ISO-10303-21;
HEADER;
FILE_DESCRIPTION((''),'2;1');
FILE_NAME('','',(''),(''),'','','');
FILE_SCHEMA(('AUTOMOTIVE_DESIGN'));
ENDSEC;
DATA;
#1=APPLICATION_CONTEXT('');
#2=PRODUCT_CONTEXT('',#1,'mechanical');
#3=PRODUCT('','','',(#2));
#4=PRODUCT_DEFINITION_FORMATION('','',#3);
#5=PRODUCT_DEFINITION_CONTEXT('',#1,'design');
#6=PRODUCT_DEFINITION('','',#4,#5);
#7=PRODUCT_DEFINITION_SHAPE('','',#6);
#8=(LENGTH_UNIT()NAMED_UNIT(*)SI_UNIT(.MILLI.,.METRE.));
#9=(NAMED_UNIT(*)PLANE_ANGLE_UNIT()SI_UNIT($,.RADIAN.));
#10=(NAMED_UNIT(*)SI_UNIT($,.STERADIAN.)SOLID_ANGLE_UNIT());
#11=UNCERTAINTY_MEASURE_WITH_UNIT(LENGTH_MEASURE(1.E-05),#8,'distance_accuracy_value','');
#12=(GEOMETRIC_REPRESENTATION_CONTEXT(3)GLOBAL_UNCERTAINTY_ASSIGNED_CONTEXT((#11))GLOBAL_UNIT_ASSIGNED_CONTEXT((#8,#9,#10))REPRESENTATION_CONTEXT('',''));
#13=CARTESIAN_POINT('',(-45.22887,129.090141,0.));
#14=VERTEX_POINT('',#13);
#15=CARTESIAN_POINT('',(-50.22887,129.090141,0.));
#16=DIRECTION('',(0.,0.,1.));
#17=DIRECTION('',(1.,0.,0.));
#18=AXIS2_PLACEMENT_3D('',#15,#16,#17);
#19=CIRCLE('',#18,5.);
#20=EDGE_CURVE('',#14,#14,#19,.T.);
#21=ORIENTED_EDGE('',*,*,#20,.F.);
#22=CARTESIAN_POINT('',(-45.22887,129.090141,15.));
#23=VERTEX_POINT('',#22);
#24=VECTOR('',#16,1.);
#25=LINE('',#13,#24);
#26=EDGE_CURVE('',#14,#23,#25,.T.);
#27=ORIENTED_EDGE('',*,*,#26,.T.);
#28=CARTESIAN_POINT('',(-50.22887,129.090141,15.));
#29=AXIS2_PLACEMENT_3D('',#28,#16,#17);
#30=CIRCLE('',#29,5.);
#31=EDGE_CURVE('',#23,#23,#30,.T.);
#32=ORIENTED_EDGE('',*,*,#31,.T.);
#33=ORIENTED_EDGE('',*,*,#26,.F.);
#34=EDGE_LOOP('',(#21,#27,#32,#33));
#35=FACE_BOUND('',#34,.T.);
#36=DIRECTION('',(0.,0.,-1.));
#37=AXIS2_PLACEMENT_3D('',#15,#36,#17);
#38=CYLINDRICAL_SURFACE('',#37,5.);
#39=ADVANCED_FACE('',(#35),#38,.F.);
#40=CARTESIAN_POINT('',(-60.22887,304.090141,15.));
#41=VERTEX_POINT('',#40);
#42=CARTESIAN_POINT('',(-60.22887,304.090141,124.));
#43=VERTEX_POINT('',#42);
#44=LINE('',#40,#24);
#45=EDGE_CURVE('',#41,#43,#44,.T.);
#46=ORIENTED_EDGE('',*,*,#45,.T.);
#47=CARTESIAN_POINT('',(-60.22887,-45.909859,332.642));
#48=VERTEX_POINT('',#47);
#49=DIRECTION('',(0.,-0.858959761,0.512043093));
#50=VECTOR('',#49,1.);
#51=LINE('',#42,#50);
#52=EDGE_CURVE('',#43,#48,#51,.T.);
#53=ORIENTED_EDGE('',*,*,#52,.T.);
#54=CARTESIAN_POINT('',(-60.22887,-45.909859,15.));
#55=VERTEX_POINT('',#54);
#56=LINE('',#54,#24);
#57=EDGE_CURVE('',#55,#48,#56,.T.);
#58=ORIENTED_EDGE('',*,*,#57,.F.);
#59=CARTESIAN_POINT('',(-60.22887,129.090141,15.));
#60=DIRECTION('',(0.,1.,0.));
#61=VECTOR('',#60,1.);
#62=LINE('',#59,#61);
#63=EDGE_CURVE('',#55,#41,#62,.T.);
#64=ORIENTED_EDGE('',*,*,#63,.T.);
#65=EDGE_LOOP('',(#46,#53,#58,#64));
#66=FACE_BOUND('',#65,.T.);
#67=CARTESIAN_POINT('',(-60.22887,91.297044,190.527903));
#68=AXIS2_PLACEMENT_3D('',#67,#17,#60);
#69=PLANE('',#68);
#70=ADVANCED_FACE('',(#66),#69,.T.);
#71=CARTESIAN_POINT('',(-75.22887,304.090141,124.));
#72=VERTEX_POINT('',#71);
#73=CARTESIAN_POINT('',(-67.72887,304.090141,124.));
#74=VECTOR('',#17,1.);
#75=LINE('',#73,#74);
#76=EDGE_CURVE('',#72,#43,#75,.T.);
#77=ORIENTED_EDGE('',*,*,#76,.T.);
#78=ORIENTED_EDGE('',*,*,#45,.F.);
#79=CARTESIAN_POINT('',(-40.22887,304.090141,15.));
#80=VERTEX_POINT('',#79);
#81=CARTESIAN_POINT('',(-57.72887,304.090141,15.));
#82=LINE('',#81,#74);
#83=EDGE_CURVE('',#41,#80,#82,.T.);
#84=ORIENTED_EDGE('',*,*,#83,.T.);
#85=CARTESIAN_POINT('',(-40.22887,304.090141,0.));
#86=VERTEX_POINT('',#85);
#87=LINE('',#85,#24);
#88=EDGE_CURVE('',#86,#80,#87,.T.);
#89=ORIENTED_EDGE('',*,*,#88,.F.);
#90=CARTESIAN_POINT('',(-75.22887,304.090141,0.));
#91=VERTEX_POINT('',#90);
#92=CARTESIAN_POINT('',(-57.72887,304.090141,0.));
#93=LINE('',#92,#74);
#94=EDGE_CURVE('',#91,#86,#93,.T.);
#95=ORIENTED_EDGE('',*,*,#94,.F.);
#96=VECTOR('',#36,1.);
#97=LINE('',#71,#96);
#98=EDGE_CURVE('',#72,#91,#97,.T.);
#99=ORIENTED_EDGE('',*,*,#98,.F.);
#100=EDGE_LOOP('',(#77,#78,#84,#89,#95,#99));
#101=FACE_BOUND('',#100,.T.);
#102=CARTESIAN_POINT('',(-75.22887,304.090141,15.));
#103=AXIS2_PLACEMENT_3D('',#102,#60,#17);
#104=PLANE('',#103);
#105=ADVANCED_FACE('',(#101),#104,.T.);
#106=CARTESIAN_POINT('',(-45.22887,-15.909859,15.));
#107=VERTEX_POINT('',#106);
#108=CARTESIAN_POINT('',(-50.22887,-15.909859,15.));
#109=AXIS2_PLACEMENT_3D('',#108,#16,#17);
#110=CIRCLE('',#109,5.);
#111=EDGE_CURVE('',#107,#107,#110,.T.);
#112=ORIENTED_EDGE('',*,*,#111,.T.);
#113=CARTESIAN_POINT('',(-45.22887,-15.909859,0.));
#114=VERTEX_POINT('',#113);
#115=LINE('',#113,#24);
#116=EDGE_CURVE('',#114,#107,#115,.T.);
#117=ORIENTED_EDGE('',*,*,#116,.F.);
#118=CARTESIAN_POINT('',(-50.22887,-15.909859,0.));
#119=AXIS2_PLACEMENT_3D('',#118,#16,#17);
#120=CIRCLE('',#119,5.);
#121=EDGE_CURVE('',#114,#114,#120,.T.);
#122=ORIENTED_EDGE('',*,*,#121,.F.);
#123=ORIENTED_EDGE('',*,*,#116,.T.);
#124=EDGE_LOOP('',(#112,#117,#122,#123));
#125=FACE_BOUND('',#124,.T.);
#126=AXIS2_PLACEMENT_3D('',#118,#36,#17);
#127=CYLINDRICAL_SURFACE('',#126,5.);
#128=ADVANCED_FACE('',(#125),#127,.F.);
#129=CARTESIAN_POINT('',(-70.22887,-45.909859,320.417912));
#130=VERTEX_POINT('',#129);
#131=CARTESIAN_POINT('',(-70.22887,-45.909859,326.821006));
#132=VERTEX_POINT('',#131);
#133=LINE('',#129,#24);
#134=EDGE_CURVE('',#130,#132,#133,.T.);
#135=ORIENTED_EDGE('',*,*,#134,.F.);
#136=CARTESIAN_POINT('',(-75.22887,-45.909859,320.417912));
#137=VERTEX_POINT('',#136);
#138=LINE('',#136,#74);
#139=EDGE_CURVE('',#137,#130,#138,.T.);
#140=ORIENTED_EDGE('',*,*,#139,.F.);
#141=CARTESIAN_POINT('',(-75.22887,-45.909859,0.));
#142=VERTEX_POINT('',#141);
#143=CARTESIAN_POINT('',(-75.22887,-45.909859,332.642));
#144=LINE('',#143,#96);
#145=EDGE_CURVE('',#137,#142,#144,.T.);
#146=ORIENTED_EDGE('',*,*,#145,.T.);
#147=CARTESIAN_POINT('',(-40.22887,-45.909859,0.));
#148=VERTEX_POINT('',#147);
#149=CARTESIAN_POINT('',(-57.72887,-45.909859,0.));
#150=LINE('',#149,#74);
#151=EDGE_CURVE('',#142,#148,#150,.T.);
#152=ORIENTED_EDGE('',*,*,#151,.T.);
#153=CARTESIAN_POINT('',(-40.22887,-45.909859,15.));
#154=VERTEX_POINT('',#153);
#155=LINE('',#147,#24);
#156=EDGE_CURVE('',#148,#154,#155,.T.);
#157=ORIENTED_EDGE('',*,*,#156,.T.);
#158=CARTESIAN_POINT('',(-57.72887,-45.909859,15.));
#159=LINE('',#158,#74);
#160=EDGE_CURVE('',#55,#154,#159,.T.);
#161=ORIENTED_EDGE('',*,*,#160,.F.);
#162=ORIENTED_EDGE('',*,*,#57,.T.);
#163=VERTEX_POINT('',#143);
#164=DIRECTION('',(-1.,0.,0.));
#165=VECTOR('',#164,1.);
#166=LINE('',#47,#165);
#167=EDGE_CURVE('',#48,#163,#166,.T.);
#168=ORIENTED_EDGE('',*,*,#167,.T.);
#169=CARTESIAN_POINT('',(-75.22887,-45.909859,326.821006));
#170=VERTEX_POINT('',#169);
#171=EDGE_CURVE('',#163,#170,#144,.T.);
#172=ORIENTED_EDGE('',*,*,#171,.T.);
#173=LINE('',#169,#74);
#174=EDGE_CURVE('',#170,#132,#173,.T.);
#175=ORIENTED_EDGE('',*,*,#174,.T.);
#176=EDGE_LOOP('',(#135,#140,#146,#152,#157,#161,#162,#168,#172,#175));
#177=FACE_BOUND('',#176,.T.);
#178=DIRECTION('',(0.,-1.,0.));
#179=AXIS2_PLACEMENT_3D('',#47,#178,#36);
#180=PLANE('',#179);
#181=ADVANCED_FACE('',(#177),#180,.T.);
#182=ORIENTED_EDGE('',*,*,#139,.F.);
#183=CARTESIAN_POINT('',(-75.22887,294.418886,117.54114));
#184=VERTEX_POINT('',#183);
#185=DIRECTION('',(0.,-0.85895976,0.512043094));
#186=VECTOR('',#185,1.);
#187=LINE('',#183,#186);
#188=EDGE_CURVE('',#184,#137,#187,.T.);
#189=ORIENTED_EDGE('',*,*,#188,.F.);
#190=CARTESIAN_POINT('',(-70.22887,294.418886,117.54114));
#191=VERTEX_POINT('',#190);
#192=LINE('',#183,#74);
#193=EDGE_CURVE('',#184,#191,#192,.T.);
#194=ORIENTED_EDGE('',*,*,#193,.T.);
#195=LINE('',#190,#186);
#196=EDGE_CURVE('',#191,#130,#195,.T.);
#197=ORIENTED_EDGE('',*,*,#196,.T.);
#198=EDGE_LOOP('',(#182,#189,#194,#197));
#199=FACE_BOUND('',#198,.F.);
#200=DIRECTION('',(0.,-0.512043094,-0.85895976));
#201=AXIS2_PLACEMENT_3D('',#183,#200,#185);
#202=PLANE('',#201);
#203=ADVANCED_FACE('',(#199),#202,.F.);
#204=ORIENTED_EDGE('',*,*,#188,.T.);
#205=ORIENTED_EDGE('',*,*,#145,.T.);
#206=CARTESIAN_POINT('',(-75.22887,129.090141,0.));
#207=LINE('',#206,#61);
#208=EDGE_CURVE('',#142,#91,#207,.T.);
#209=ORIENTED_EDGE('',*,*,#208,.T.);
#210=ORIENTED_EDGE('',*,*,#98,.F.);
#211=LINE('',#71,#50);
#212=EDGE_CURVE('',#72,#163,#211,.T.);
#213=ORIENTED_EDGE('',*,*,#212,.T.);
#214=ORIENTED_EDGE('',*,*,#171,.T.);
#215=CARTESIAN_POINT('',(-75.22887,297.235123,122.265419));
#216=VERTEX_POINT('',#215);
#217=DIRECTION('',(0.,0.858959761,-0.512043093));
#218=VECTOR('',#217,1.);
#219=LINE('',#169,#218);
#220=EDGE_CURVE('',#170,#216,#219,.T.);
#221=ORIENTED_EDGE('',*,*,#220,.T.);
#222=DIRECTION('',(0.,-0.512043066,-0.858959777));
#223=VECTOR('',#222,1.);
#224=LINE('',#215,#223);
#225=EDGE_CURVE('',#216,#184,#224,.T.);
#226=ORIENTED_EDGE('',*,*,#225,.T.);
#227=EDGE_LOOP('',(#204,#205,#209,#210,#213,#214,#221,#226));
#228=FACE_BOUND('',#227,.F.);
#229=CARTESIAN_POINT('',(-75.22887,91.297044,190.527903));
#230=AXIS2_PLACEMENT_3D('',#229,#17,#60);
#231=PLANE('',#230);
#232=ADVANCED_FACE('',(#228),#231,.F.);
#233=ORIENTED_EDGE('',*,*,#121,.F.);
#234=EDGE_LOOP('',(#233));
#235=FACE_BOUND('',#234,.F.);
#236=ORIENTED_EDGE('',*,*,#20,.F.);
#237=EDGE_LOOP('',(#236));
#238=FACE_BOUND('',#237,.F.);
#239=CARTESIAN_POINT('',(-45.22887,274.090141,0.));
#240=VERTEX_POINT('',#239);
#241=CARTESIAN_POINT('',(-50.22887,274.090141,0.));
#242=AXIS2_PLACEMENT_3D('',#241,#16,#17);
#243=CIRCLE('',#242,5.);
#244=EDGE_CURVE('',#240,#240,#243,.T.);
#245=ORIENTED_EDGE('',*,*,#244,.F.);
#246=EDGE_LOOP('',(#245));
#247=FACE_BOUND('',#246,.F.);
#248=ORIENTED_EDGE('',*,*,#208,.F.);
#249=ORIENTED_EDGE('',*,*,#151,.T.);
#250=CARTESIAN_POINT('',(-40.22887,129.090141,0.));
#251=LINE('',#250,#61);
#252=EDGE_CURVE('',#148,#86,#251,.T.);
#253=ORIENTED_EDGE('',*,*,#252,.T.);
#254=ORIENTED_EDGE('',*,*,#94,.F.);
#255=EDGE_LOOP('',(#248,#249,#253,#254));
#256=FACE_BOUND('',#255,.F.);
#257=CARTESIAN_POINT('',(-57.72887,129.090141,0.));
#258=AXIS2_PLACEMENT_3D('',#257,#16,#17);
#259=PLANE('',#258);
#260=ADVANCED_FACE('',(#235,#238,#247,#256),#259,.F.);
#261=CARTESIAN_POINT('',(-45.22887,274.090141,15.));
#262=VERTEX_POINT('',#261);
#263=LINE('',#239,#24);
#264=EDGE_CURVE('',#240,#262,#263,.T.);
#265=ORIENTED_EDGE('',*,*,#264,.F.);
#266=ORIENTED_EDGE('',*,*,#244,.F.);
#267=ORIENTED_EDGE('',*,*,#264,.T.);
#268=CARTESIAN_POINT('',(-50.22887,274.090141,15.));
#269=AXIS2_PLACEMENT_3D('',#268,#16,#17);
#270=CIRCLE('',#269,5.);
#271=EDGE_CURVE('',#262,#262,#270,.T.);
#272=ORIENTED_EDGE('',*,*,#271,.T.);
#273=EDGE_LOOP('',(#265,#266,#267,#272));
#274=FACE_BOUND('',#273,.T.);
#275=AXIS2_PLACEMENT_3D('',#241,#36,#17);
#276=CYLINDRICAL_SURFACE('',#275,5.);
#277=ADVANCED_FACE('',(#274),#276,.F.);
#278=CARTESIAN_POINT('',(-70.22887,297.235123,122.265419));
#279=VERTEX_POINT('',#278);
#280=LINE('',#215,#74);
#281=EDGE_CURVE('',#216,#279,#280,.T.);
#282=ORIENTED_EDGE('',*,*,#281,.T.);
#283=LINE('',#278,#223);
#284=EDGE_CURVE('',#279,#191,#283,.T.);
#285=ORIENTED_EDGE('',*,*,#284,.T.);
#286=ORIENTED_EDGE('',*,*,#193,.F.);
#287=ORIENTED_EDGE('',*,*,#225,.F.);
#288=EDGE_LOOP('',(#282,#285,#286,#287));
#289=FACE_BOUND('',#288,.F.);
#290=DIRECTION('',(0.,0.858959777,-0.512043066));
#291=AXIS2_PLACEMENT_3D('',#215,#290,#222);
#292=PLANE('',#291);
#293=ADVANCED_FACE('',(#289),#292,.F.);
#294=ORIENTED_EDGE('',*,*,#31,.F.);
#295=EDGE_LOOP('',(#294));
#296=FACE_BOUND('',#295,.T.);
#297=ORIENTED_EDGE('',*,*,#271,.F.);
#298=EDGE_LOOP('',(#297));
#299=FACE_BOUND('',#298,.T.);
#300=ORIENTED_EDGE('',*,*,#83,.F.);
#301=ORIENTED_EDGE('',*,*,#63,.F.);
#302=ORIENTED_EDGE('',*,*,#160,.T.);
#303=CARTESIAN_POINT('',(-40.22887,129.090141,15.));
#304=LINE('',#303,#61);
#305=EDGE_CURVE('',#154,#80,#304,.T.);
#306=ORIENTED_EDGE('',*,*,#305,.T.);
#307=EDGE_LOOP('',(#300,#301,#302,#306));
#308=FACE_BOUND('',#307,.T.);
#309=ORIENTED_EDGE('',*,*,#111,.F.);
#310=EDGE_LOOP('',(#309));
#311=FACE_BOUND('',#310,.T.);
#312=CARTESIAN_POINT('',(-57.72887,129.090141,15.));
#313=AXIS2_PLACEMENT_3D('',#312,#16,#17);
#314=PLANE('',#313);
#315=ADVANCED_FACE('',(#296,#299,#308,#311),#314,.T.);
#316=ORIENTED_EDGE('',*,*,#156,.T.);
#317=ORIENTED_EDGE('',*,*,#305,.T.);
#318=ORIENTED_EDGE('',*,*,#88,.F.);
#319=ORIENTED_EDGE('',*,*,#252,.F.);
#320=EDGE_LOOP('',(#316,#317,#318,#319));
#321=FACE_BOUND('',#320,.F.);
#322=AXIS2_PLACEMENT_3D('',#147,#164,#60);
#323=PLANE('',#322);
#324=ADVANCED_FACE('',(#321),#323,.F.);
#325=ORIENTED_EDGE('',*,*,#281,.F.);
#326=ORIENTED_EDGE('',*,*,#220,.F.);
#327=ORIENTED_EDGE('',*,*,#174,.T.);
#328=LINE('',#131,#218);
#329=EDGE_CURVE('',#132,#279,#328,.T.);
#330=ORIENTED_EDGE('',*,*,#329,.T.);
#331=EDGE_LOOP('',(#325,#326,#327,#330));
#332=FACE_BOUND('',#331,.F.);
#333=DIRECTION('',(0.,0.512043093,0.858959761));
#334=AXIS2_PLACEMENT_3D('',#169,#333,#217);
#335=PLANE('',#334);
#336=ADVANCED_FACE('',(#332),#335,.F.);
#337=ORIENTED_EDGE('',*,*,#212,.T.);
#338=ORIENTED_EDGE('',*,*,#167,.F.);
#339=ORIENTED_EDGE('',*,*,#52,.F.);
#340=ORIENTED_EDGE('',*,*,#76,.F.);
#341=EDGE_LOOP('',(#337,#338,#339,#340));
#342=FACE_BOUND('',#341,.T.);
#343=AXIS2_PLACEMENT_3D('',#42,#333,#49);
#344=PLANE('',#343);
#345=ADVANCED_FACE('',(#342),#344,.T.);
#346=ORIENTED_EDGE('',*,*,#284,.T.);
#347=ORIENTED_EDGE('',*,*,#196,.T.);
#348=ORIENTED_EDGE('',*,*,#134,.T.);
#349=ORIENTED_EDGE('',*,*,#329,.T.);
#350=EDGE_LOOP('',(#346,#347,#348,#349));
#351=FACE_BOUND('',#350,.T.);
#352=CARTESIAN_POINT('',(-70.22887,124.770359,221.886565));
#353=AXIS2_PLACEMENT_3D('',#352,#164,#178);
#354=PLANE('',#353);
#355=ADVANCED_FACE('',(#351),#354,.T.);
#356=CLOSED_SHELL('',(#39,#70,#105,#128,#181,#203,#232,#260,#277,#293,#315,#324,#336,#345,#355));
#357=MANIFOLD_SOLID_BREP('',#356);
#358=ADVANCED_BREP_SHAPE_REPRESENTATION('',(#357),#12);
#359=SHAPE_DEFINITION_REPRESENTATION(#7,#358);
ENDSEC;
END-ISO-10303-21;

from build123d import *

# Parameters (mm, degrees)
F0_W     = 35
F0_H     = 350
F0_R     = 5
F1_DEPTH = 15
F2_W     = 15
F2_H     = 350
F3_DEPTH = 109
F5_DEPTH = 15
F7_DEPTH = 5


with BuildPart() as f1:
    # F0 (on Top) → F1 (new body)
    with BuildSketch(Plane.XY):
        with Locations((-57.72887, 129.090141)):
            Rectangle(F0_W, F0_H)
        with Locations((-50.22887, -15.909859)):
            Circle(F0_R, mode=Mode.SUBTRACT)
        with Locations((-50.22887, 129.090141)):
            Circle(F0_R, mode=Mode.SUBTRACT)
        with Locations((-50.22887, 274.090141)):
            Circle(F0_R, mode=Mode.SUBTRACT)
    extrude(amount=F1_DEPTH)

    # F2 (on face) → F3 (join)
    with BuildSketch(Plane.XY.offset(15)):
        with Locations((-67.72887, 129.090141)):
            Rectangle(F2_W, F2_H)
    extrude(amount=F3_DEPTH)

    # F4 (on face) → F5 (join)
    with BuildSketch(Plane.YZ.offset(-60.22887)):
        Polygon((-45.909859, 332.642), (-45.909859, 124), (304.090141, 124), align=None)
    extrude(amount=-F5_DEPTH)

    # F6 (on face) → F7 (cut)
    with BuildSketch(Plane(origin=(-75.22887, 0, 0), x_dir=(0, -1, 0), z_dir=(-1, 0, 0))):
        Polygon((45.909859, 320.417912), (45.909859, 326.821006), (-297.235123, 122.265419), (-294.418886, 117.54114), align=None)
    extrude(amount=-F7_DEPTH, mode=Mode.SUBTRACT)


solid = f1.part
